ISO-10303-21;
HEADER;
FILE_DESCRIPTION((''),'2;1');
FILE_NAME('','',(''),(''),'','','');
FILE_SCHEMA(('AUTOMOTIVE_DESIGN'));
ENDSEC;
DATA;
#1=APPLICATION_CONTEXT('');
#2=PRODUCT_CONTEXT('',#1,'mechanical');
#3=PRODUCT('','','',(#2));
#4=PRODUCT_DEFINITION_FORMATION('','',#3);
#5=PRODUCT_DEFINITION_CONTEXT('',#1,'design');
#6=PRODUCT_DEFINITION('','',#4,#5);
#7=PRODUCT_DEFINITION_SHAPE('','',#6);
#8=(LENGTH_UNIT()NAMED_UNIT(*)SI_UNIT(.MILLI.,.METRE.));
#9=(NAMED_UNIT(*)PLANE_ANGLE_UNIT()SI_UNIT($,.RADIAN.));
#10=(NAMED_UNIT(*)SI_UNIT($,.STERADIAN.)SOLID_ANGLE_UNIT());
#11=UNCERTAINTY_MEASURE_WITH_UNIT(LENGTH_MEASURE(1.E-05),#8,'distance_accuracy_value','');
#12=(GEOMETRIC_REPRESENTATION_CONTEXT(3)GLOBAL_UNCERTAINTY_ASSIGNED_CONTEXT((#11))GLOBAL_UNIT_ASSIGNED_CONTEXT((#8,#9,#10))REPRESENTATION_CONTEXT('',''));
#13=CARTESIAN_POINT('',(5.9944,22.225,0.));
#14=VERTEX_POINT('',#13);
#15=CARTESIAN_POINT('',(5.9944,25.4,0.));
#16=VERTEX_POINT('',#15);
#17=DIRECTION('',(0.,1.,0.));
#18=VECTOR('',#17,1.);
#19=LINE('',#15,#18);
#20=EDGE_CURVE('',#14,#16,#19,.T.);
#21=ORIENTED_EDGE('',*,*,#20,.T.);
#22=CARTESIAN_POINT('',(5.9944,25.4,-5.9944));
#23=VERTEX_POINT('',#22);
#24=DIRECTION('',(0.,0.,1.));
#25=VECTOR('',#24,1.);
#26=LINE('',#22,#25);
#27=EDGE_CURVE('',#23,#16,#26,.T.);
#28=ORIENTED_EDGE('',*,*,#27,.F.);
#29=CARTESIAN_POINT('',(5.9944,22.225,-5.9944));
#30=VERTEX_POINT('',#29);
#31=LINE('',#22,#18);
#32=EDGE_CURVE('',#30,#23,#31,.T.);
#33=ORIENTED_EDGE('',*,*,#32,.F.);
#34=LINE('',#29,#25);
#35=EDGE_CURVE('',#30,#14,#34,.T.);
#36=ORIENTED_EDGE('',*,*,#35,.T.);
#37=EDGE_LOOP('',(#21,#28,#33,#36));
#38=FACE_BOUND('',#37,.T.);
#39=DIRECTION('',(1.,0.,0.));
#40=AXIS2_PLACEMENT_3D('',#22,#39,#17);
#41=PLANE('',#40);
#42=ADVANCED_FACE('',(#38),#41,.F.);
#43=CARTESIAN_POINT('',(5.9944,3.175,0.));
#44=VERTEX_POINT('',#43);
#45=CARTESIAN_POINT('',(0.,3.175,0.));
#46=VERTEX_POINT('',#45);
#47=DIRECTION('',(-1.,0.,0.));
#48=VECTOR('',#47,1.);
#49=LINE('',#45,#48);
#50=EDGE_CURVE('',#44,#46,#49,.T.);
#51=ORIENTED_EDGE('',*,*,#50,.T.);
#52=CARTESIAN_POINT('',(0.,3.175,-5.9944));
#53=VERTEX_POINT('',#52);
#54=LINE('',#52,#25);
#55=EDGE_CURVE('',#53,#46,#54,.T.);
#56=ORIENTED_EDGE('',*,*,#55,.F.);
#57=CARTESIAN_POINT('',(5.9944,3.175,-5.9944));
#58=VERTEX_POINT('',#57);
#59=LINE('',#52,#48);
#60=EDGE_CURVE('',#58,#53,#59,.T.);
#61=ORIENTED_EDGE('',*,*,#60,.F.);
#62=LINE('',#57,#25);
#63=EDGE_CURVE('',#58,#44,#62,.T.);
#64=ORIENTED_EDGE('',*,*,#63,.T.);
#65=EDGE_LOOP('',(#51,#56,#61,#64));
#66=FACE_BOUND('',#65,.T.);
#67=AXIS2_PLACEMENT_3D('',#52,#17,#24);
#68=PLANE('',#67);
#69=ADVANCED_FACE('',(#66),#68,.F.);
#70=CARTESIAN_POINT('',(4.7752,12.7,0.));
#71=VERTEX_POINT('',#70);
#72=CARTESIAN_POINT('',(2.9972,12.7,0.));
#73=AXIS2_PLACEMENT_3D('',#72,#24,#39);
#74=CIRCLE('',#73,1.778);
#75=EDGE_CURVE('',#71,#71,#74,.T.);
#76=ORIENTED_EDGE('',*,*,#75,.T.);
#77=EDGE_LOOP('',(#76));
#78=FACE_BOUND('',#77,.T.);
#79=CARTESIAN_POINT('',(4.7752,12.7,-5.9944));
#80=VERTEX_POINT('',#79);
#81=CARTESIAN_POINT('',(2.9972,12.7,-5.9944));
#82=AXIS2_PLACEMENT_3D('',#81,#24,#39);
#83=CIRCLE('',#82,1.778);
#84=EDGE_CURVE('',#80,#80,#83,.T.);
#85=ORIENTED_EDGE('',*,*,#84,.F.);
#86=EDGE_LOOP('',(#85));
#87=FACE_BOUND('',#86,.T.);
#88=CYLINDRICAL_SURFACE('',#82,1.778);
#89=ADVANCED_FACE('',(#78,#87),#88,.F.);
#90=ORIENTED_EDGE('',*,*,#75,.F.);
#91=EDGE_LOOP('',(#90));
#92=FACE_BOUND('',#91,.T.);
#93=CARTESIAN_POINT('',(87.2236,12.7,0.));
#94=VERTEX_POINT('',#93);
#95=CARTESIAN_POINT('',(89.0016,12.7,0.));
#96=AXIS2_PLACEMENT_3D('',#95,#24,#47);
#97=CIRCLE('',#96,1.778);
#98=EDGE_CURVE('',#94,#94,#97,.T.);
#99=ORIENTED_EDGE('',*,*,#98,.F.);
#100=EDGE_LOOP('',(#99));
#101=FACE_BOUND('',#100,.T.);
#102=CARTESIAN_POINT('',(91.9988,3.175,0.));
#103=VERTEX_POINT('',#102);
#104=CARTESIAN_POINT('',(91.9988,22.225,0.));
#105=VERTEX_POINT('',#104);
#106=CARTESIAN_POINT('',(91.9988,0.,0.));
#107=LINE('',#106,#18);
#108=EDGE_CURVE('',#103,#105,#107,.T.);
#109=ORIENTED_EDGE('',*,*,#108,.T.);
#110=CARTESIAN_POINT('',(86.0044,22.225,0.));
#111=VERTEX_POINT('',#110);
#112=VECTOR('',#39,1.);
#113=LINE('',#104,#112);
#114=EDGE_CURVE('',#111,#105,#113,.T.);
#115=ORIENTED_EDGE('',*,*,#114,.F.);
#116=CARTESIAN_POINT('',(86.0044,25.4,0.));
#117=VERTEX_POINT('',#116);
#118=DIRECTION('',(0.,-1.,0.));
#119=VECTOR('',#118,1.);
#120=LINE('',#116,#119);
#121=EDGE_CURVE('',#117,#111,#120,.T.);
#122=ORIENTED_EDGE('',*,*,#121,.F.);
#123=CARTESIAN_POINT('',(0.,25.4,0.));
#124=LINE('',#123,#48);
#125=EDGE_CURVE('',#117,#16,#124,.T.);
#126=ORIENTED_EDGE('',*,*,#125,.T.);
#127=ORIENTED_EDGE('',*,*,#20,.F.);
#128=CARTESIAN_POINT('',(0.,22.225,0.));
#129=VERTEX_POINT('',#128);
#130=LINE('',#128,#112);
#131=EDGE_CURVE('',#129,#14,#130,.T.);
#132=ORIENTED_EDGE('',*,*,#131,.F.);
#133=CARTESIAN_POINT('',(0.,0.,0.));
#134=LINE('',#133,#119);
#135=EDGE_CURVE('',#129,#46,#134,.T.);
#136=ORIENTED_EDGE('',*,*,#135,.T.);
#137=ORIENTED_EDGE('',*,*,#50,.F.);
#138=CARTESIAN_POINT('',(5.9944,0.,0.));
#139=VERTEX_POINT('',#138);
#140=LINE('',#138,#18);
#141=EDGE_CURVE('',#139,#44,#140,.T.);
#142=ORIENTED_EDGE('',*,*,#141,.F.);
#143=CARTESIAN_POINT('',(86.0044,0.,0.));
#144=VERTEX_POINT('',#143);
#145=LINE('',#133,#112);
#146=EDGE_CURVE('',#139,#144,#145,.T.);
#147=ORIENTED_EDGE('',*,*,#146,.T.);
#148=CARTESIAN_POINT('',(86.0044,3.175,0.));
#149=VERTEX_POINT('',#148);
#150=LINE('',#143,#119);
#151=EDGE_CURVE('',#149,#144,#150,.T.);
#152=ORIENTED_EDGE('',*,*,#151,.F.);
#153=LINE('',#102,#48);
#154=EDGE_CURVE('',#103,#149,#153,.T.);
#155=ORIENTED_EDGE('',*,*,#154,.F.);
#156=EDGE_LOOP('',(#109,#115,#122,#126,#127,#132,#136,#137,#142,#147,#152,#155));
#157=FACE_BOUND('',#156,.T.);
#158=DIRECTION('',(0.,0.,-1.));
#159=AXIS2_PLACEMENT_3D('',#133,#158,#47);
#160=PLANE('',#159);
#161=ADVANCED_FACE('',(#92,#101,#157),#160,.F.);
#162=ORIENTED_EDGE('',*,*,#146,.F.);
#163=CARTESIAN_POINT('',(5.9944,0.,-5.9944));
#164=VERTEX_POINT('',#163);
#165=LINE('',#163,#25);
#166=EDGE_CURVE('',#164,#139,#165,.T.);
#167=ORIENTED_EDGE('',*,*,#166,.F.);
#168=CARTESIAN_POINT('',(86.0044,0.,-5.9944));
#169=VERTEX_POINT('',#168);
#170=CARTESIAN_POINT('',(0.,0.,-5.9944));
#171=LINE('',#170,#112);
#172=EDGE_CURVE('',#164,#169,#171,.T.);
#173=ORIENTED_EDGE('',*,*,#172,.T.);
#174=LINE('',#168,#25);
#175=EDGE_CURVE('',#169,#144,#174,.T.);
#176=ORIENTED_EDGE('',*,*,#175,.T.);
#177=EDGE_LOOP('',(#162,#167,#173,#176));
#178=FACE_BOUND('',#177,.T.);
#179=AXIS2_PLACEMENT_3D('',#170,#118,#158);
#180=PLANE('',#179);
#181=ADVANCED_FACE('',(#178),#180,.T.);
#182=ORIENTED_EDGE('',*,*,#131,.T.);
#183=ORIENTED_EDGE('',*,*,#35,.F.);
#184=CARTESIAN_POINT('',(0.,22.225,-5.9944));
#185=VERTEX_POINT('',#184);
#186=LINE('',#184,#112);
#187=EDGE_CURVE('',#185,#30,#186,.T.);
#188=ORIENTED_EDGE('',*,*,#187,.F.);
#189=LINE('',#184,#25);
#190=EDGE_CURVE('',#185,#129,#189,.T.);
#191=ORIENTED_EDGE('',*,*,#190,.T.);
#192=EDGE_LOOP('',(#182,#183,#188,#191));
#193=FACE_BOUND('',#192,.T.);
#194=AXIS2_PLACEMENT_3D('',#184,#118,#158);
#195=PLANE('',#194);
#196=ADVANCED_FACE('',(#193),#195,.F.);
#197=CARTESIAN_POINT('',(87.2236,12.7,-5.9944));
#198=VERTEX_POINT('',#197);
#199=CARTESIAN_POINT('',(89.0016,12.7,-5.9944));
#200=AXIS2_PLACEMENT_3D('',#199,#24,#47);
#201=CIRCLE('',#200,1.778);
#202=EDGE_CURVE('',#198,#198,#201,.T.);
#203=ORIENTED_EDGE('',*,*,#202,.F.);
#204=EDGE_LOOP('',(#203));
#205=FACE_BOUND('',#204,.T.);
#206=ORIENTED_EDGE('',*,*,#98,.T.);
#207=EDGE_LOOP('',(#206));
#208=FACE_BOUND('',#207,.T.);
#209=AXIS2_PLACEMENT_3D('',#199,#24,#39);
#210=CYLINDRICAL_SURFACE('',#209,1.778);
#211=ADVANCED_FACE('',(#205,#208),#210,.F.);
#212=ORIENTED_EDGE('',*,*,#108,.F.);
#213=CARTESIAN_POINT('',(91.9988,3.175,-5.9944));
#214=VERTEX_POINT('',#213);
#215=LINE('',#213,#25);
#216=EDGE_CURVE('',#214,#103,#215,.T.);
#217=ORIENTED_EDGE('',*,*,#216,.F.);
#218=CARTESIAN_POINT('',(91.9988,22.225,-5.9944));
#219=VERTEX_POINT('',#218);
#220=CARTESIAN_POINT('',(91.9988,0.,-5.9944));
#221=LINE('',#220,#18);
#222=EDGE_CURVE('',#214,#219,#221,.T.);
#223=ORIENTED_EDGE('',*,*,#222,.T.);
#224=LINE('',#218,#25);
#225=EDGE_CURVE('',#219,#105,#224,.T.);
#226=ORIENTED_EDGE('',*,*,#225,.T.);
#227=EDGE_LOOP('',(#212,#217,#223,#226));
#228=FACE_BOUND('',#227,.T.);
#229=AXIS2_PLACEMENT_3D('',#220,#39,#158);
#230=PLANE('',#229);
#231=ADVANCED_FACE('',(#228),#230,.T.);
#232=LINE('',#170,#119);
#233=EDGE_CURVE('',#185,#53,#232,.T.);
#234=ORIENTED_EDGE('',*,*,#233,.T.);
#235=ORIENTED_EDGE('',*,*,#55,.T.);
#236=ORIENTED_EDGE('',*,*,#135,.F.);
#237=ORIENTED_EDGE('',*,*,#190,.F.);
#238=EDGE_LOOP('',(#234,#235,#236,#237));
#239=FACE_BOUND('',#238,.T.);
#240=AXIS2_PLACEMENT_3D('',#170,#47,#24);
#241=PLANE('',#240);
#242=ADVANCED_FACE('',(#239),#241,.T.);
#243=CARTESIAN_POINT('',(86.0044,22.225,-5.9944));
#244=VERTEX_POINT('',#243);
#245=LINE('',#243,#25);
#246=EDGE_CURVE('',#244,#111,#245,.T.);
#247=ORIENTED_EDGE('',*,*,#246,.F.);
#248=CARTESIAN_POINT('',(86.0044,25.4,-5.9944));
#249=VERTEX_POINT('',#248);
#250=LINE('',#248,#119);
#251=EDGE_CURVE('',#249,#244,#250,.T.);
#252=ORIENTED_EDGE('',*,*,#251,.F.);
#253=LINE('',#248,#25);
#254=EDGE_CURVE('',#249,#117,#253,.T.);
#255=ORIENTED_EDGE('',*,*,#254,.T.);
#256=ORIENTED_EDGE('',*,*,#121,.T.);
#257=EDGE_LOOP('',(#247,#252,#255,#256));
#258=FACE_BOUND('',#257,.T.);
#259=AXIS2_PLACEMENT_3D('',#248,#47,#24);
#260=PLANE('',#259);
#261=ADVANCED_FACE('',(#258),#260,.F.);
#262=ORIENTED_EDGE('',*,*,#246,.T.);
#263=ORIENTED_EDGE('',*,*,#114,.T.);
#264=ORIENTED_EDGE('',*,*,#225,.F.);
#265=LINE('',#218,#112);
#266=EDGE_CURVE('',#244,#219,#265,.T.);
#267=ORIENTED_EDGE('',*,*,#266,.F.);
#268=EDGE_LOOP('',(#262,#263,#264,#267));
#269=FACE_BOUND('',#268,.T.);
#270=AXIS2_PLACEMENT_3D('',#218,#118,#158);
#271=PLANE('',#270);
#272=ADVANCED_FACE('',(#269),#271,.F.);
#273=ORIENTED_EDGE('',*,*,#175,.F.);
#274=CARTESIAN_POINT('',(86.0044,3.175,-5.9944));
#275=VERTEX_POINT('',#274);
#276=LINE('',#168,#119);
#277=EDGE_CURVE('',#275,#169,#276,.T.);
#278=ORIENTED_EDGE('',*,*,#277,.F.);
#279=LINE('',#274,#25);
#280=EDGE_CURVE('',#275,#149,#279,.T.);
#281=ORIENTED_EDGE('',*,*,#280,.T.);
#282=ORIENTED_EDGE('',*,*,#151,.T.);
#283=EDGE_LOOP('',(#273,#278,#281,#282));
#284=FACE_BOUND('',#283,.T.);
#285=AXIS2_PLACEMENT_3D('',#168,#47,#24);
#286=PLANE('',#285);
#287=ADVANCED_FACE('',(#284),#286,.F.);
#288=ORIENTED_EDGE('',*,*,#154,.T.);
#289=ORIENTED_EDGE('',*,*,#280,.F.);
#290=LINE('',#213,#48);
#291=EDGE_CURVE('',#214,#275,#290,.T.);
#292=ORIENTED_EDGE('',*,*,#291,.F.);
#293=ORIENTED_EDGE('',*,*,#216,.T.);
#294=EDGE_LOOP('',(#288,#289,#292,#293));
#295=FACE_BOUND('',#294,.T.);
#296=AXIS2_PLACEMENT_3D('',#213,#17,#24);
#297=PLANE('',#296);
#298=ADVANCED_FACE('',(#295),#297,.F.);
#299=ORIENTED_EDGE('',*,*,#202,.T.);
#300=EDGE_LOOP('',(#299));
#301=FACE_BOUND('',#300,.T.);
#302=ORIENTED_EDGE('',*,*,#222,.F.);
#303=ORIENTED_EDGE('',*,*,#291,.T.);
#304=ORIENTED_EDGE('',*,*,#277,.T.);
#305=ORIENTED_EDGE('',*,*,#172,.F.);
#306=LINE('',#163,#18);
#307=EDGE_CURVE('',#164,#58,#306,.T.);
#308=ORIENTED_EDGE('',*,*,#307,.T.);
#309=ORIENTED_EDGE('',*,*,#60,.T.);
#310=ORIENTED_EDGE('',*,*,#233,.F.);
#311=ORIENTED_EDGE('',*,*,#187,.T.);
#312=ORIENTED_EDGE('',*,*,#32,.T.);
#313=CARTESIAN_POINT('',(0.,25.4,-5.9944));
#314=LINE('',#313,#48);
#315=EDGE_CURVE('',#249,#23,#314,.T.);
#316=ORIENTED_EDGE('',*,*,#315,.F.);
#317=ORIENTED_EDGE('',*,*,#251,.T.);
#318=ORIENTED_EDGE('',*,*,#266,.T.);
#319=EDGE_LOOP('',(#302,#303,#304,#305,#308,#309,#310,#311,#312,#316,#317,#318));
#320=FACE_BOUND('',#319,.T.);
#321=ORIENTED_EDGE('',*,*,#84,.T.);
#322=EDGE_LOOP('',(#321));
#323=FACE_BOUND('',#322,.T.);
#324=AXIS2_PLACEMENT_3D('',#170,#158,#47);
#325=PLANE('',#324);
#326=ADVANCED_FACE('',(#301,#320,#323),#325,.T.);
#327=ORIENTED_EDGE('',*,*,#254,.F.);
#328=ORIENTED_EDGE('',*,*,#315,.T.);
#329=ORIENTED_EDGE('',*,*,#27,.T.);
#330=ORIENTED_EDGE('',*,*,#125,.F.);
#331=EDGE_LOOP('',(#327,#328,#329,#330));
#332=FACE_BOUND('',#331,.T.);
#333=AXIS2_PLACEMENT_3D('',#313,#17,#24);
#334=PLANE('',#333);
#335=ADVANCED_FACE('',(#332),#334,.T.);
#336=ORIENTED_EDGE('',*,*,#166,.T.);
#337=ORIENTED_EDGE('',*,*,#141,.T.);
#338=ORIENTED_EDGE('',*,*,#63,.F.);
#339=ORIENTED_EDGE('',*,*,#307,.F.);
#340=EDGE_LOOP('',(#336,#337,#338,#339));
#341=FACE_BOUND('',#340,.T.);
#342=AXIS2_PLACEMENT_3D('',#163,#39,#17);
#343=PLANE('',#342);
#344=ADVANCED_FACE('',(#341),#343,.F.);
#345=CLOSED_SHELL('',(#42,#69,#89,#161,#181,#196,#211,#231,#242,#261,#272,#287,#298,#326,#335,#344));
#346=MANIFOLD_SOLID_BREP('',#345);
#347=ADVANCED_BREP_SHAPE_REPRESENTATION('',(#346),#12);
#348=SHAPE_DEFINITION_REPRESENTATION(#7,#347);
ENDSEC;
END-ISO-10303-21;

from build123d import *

# Parameters (mm, degrees)
SKETCH1_W           = 91.9988
SKETCH1_H           = 25.4
BOSS_EXTRUDE1_DEPTH = 5.9944
SKETCH2_R           = 1.778
CUT_EXTRUDE1_DEPTH  = 6.9944
SKETCH3_W           = 5.9944
SKETCH3_H           = 3.175
CUT_EXTRUDE2_DEPTH  = 6.9944


with BuildPart() as part:
    # Sketch1 → Boss-Extrude1 (new body)
    with BuildSketch(Plane.XY):
        with Locations((45.9994, 12.7)):
            Rectangle(SKETCH1_W, SKETCH1_H)
    extrude(amount=-BOSS_EXTRUDE1_DEPTH)

    # Sketch2 → Cut-Extrude1 (cut, through all)
    with BuildSketch(Plane.XY):
        with Locations((2.9972, 12.7)):
            Circle(SKETCH2_R)
        with Locations((89.0016, 12.7)):
            Circle(SKETCH2_R)
    extrude(amount=-CUT_EXTRUDE1_DEPTH, mode=Mode.SUBTRACT)

    # Sketch3 → Cut-Extrude2 (cut, through all)
    with BuildSketch(Plane.XY):
        with Locations((2.9972, 23.8125)):
            Rectangle(SKETCH3_W, SKETCH3_H)
        with Locations((89.0016, 23.8125)):
            Rectangle(SKETCH3_W, SKETCH3_H)
        with Locations((89.0016, 1.5875)):
            Rectangle(SKETCH3_W, SKETCH3_H)
        with Locations((2.9972, 1.5875)):
            Rectangle(SKETCH3_W, SKETCH3_H)
    extrude(amount=-CUT_EXTRUDE2_DEPTH, mode=Mode.SUBTRACT)


solid = part.part
